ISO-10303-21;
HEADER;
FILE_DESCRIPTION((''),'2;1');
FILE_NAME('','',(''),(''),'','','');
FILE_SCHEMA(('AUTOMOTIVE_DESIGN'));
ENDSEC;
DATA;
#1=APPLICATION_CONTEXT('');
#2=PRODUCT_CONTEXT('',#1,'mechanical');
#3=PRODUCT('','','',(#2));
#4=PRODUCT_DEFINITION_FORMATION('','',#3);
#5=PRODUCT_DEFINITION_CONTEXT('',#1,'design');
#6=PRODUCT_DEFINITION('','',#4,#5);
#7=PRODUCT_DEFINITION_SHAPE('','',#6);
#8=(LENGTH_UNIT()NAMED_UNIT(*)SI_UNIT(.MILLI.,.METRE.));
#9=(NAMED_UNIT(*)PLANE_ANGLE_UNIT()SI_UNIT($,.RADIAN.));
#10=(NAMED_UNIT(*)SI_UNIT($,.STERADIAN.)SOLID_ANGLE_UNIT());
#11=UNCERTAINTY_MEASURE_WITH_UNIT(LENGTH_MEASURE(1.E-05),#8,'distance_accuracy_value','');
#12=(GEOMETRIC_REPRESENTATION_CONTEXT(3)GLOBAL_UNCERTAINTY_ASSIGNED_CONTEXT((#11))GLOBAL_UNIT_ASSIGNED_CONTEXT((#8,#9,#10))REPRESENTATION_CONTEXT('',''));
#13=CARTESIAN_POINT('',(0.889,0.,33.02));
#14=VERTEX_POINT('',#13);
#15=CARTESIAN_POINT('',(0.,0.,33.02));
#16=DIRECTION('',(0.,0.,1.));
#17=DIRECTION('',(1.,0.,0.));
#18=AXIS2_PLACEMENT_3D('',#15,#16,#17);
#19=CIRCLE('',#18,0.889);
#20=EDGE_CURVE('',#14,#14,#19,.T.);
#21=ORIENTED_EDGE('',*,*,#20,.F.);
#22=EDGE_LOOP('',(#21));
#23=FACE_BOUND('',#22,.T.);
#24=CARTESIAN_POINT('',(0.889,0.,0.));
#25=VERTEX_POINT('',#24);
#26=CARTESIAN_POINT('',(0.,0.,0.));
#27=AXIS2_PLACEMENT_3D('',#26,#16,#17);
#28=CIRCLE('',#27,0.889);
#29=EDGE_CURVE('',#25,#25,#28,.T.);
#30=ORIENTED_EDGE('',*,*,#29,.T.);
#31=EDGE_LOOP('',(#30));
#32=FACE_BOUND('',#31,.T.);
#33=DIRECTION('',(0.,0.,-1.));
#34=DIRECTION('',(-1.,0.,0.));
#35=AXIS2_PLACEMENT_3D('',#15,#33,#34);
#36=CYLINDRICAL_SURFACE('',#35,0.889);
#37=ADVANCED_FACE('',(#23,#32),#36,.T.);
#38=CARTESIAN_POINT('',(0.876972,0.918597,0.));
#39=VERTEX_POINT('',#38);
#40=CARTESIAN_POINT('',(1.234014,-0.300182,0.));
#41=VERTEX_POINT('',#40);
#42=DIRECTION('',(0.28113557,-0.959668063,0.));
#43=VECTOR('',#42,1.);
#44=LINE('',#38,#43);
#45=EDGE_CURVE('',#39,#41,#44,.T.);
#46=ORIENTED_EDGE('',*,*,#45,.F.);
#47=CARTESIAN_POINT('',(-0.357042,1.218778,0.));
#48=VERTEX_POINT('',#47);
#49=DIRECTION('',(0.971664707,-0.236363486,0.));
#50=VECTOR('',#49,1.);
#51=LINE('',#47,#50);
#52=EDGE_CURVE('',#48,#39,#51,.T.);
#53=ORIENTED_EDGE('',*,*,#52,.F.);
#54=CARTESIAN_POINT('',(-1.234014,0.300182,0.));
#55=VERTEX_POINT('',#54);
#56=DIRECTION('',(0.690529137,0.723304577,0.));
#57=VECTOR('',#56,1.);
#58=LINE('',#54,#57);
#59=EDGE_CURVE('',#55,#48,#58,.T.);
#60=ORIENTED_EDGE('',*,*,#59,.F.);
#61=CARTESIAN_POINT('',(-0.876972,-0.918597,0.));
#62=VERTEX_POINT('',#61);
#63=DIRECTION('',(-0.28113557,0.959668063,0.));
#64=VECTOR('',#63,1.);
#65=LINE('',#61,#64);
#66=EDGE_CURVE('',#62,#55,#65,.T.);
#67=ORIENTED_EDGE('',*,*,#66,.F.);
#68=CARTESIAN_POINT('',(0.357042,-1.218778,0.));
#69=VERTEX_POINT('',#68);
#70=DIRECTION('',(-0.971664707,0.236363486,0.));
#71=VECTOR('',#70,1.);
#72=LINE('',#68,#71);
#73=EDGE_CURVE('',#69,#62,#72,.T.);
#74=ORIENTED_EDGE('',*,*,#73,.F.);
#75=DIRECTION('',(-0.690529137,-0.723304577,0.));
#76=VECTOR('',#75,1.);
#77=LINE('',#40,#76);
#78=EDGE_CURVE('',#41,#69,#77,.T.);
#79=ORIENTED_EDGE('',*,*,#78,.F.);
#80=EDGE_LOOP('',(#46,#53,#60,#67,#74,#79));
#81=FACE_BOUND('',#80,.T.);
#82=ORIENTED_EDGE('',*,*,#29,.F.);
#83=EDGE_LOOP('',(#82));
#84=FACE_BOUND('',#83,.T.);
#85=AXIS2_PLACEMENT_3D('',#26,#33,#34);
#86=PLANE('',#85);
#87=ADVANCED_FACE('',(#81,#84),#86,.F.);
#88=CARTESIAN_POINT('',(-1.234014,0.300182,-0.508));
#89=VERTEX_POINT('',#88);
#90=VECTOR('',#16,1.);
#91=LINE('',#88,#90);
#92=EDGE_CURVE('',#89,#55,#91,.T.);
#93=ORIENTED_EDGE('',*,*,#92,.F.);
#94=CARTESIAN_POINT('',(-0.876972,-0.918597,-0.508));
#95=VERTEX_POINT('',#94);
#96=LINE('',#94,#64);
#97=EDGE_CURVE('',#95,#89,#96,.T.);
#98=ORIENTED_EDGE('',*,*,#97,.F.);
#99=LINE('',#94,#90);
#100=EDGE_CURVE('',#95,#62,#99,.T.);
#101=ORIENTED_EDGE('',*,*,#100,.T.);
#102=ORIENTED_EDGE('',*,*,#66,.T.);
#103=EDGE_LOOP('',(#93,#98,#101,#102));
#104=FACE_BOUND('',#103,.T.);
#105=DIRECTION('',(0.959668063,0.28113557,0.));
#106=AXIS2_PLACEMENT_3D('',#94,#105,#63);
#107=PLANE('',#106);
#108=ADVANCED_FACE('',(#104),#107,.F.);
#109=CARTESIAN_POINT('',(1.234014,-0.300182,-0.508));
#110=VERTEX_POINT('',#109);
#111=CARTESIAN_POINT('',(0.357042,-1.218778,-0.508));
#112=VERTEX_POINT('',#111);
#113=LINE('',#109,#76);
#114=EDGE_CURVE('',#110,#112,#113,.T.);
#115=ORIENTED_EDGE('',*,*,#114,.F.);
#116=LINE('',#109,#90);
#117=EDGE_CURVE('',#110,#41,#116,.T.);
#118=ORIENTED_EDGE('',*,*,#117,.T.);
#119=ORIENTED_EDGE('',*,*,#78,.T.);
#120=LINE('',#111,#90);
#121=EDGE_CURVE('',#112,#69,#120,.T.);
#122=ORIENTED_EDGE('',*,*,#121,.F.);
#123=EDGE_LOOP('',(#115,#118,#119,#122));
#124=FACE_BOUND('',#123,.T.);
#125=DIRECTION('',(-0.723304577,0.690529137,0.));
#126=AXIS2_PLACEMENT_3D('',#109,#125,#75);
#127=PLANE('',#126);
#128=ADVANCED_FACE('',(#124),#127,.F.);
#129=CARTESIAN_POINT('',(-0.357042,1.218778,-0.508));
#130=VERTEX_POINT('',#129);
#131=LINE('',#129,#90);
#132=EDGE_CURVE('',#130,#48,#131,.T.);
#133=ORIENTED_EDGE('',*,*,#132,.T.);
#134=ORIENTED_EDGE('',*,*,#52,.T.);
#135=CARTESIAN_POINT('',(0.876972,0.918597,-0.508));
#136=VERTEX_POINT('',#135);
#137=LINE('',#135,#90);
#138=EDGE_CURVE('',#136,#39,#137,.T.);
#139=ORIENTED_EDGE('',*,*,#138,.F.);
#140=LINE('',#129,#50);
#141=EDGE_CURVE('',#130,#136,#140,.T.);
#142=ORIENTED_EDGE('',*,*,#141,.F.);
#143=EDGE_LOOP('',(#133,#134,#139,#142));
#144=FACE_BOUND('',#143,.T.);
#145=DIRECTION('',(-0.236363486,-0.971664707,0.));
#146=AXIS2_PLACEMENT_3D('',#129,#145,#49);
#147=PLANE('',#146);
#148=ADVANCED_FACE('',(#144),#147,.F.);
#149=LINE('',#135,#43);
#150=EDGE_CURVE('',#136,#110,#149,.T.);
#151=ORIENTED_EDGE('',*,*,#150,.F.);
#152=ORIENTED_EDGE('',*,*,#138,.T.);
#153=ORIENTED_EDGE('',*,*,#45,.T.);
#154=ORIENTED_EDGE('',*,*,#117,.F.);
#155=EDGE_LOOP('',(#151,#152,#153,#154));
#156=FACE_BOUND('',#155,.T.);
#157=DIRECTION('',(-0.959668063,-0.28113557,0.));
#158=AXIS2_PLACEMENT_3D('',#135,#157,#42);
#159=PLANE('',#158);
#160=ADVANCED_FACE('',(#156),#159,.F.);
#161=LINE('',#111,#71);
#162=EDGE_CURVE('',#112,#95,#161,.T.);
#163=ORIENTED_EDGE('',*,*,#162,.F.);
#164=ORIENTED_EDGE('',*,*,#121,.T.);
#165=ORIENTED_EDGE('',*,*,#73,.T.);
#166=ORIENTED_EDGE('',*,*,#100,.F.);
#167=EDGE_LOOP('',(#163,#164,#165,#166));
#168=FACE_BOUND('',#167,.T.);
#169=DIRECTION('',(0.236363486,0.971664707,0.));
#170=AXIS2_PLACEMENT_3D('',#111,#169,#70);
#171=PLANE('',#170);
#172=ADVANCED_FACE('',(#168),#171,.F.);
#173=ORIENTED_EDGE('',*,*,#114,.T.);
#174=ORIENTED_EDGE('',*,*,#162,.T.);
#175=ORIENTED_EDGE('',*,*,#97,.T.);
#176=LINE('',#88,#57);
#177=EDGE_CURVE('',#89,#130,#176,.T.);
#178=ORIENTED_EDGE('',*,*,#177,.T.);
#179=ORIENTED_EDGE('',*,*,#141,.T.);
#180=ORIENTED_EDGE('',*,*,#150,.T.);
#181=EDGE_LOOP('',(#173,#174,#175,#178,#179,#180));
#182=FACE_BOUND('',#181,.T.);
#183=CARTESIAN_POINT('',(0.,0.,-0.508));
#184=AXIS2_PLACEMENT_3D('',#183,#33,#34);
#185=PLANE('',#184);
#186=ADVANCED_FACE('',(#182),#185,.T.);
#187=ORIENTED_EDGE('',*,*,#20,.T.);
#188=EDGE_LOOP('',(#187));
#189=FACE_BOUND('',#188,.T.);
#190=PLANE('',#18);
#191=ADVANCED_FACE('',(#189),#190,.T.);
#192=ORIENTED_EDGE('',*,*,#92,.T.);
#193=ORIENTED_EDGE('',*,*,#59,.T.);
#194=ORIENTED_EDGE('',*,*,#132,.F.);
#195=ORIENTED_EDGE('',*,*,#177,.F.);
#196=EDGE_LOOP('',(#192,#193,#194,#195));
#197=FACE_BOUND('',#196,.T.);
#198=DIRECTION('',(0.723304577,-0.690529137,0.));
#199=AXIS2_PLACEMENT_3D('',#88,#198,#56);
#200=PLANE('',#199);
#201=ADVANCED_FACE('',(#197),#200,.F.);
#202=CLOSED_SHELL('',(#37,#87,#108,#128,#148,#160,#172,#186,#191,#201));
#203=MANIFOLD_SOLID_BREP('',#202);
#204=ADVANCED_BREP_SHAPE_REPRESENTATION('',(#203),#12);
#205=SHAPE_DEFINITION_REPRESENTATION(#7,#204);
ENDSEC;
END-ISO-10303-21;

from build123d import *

# Parameters (mm, degrees)
SKETCH1_R           = 0.889
BOSS_EXTRUDE1_DEPTH = 33.02
BOSS_EXTRUDE3_DEPTH = 0.508


with BuildPart() as part:
    # Sketch1 → Boss-Extrude1 (new body)
    with BuildSketch(Plane.XY):
        Circle(SKETCH1_R)
    extrude(amount=BOSS_EXTRUDE1_DEPTH)

    # Sketch2 → Boss-Extrude3 (add)
    with BuildSketch(Plane(origin=(0, 0, 0), x_dir=(-1, 0, 0), z_dir=(0, 0, -1))):
        Polygon((0.876972004, -0.918596813), (1.234014178, 0.300181627), (0.357042174, 1.21877844), (-0.876972004, 0.918596813), (-1.234014178, -0.300181627), (-0.357042174, -1.21877844), align=None)
    extrude(amount=BOSS_EXTRUDE3_DEPTH)


solid = part.part
